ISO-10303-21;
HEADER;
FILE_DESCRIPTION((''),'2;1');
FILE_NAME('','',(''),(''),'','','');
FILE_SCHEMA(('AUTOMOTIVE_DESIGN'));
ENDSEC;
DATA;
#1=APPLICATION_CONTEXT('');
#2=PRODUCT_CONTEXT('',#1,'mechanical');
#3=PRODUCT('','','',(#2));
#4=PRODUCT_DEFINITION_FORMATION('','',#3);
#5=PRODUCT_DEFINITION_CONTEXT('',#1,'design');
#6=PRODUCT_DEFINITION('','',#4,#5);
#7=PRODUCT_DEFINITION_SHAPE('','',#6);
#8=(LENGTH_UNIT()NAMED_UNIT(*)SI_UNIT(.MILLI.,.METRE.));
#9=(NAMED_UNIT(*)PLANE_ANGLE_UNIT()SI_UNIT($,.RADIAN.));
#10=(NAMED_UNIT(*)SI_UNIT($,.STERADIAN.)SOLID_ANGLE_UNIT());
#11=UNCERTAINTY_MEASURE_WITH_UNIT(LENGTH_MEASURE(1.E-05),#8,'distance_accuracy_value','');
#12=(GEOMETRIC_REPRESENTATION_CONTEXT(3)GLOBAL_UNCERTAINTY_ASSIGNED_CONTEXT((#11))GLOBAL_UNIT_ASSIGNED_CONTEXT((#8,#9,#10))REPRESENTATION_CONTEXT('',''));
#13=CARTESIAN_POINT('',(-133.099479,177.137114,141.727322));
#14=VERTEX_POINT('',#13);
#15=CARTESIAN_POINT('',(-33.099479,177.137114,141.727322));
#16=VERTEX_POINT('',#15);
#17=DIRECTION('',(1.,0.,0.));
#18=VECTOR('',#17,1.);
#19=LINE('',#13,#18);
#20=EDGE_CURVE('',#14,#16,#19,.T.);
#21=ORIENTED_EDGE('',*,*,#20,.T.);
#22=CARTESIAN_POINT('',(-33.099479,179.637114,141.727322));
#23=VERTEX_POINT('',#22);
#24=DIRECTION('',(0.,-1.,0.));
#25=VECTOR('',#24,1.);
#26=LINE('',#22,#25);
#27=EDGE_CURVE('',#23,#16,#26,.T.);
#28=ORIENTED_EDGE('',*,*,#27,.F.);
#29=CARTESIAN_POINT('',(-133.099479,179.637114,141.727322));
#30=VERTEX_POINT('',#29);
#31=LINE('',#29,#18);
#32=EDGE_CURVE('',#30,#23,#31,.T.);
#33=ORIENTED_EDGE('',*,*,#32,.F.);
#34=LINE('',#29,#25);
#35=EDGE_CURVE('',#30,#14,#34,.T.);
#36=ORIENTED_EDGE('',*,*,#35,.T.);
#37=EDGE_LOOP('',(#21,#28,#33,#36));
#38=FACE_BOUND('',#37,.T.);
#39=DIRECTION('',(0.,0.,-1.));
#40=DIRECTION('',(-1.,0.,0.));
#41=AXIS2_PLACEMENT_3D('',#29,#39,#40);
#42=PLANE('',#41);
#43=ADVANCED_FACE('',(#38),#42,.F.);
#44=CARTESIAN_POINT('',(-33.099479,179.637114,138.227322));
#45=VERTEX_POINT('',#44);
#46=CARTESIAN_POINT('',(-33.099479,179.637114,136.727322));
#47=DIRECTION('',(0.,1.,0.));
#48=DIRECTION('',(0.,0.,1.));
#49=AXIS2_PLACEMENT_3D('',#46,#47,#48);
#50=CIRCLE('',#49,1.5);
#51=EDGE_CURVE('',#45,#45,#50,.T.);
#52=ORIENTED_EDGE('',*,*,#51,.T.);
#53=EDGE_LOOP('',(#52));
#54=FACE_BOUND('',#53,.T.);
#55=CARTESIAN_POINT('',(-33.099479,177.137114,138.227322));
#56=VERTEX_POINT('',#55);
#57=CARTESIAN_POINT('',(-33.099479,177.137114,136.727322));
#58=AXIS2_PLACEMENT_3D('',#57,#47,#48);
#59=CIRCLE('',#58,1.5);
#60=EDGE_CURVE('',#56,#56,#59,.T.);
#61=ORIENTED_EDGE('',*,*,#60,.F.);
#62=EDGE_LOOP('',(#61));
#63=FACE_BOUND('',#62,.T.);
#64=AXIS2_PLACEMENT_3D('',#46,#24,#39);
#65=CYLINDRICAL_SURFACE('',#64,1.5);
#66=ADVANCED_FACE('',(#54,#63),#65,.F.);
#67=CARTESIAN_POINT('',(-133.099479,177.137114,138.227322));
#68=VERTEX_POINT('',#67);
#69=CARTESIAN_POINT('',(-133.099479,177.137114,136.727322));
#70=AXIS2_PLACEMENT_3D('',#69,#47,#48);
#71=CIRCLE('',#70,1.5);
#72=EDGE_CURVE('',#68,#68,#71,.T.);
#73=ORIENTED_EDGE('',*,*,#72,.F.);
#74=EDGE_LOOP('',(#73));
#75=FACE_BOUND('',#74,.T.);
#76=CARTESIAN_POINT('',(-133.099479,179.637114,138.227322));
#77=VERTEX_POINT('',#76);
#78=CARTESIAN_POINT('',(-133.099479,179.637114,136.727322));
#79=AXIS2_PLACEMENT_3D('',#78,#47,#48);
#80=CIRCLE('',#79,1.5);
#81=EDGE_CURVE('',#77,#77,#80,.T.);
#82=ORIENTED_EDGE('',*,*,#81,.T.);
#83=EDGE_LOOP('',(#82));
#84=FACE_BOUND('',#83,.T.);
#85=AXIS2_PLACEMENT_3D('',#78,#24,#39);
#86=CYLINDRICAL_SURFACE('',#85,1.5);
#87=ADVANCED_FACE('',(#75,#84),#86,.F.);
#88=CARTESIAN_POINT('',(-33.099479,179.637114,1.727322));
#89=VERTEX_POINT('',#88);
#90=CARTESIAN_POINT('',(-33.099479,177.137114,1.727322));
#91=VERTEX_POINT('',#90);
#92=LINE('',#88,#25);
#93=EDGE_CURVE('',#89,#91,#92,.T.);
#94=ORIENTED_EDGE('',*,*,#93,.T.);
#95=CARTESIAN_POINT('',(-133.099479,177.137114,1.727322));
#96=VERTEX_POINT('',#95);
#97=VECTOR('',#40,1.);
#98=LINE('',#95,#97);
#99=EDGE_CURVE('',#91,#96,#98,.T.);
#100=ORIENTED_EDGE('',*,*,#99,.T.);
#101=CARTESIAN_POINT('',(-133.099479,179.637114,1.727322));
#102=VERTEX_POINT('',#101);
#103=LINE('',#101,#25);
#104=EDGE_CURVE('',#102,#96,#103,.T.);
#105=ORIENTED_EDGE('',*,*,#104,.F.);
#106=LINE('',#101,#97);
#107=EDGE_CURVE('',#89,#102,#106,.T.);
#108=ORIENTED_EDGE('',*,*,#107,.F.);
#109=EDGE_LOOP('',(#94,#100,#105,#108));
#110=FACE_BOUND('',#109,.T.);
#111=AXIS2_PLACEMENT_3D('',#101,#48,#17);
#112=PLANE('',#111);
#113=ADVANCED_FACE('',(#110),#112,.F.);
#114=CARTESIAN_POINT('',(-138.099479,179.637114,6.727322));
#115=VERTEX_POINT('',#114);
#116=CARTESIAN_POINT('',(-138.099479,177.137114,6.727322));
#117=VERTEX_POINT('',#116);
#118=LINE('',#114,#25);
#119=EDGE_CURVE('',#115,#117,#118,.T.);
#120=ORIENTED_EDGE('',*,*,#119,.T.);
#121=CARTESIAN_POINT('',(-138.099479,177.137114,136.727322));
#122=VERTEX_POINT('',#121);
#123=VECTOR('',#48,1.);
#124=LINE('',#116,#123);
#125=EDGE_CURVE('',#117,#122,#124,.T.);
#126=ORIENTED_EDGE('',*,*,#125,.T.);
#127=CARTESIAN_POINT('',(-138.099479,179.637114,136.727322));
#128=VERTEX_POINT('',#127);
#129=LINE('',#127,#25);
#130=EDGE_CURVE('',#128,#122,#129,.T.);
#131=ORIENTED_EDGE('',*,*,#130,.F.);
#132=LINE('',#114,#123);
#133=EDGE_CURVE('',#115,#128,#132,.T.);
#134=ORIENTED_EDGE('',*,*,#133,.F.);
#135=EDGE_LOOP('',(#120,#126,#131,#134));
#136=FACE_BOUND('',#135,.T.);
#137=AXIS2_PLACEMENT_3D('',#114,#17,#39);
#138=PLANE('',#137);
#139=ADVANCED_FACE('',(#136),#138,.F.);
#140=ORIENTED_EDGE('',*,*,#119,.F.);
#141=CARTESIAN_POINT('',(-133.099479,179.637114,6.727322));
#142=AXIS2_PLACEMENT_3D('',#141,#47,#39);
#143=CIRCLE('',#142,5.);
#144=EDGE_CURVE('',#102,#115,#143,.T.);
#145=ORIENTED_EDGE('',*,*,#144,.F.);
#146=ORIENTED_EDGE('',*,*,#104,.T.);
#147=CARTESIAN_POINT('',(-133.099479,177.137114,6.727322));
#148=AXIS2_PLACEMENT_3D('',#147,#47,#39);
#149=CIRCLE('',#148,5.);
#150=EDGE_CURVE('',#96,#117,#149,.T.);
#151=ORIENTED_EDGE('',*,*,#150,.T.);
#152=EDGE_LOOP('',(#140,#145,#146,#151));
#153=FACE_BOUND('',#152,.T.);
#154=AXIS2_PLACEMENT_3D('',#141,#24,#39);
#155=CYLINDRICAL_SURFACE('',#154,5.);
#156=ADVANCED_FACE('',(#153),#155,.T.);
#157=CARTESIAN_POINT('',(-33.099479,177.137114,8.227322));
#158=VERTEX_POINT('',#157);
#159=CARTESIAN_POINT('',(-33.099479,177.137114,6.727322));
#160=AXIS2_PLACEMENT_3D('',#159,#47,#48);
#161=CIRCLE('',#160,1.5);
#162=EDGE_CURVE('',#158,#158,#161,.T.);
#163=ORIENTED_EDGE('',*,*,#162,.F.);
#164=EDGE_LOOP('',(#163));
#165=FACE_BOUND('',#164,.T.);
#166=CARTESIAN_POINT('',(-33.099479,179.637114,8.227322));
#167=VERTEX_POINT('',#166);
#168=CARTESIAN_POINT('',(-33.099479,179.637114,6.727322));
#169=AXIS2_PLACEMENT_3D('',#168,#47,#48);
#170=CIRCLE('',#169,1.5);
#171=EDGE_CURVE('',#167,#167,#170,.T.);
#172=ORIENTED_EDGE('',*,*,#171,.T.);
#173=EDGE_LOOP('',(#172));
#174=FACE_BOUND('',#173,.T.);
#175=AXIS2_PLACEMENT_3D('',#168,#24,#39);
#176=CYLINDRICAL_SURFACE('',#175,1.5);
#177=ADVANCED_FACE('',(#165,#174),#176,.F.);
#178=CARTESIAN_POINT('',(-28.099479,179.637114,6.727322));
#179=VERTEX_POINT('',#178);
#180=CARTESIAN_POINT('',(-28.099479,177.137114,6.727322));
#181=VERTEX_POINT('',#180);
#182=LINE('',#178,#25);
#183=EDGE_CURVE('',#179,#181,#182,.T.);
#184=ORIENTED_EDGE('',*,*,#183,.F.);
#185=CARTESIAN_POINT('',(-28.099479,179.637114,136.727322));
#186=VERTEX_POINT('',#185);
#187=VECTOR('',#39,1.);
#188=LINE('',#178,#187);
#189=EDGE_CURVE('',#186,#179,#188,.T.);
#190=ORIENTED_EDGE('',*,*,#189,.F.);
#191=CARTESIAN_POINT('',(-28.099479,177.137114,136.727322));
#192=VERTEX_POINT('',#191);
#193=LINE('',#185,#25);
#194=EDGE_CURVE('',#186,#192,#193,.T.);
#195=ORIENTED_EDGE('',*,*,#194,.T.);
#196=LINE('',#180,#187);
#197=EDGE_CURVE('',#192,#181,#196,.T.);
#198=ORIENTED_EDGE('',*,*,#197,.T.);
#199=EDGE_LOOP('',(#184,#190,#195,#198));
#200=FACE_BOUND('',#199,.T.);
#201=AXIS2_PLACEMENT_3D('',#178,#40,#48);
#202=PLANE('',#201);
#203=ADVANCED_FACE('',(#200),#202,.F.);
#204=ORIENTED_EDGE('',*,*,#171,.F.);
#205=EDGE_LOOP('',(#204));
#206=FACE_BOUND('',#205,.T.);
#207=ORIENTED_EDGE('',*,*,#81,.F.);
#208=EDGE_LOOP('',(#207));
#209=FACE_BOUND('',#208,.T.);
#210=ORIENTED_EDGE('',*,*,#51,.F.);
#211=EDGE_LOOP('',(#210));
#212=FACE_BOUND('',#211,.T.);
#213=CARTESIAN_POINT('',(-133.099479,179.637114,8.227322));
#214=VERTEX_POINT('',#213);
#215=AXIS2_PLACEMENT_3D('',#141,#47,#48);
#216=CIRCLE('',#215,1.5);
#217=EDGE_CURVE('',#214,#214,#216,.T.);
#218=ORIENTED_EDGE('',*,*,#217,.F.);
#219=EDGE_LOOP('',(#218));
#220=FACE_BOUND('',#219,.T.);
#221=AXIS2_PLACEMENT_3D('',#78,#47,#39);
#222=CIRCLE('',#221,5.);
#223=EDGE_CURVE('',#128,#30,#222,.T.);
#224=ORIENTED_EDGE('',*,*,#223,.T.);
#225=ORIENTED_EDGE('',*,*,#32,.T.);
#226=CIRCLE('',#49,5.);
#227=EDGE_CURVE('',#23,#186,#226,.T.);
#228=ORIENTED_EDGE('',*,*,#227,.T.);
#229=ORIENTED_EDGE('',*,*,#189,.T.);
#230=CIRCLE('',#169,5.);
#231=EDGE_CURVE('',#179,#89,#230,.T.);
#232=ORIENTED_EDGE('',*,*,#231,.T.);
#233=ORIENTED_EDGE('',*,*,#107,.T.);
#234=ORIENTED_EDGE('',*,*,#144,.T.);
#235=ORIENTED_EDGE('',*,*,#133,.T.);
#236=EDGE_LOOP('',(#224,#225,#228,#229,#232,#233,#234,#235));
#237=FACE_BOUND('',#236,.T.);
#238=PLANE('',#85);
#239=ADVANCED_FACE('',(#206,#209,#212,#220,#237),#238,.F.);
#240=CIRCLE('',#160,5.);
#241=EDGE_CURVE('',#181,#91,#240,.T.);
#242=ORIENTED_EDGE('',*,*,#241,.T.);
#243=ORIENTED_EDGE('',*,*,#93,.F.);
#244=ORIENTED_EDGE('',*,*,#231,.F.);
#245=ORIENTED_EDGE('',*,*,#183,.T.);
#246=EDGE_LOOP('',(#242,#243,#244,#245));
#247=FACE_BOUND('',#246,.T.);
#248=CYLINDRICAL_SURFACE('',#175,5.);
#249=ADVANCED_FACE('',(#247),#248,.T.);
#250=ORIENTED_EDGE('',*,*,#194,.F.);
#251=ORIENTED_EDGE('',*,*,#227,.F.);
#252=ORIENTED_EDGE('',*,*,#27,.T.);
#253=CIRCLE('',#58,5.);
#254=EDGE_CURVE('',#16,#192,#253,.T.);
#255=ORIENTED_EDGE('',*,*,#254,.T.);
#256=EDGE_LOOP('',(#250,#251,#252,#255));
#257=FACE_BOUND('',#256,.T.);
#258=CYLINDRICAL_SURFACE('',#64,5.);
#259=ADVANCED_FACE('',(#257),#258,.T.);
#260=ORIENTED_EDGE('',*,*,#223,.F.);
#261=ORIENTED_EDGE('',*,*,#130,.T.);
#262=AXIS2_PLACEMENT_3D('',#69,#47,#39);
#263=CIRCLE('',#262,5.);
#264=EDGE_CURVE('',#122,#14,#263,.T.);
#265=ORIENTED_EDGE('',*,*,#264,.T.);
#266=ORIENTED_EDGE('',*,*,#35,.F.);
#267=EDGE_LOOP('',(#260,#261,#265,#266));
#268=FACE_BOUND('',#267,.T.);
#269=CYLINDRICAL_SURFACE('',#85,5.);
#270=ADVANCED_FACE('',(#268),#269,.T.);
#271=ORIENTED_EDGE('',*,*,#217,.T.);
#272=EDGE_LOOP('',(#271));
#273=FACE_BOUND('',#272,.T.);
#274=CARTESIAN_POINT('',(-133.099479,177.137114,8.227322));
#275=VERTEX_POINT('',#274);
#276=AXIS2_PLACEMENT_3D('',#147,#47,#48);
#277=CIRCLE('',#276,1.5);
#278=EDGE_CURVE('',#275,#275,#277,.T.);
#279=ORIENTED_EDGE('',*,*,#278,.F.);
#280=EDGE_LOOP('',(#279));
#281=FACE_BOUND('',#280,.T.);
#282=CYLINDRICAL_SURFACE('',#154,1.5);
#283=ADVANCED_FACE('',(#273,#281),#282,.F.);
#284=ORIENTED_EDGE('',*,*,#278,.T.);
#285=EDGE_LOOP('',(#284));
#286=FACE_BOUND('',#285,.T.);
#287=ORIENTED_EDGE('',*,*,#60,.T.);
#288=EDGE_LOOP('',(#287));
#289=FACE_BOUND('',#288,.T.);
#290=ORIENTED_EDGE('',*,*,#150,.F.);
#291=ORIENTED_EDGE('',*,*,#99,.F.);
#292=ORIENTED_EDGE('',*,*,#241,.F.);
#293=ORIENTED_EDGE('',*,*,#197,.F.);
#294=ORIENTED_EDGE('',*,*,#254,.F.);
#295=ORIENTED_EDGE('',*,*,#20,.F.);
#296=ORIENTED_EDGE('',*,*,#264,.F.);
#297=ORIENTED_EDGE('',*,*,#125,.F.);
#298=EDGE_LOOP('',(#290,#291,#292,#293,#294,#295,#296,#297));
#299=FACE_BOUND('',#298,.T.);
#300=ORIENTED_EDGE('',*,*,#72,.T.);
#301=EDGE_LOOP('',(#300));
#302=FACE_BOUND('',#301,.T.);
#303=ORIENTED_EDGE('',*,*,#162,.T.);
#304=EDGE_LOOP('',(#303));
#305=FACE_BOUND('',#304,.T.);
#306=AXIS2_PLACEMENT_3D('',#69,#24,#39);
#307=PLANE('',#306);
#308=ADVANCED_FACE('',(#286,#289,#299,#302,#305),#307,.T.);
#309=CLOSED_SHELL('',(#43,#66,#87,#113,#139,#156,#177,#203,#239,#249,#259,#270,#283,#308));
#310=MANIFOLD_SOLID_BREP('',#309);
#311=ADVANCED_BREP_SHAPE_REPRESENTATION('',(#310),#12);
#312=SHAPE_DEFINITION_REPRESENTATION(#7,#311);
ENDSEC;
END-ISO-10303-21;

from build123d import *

# Parameters (mm, degrees)
SKETCH_1_R      = 1.5
EXTRUDE_1_DEPTH = 2.5


with BuildPart() as part:
    # 草图1 → 凸台-拉伸1 (new body)
    with BuildSketch(Plane(origin=(0, 177.13711373, 0), x_dir=(1, 0, 0), z_dir=(0, 1, 0))):
        with BuildLine():
            Line((-133.099479225, -1.727321584), (-33.099479225, -1.727321584))
            ThreePointArc((-33.099479225, -1.727321584), (-29.563945319, -3.191787678), (-28.099479225, -6.727321584))
            Line((-28.099479225, -6.727321584), (-28.099479225, -136.727321584))
            ThreePointArc((-28.099479225, -136.727321584), (-29.563945319, -140.26285549), (-33.099479225, -141.727321584))
            Line((-33.099479225, -141.727321584), (-133.099479225, -141.727321584))
            ThreePointArc((-133.099479225, -141.727321584), (-136.635013131, -140.26285549), (-138.099479225, -136.727321584))
            Line((-138.099479225, -136.727321584), (-138.099479225, -6.727321584))
            ThreePointArc((-138.099479225, -6.727321584), (-136.635013131, -3.191787678), (-133.099479225, -1.727321584))
        make_face()
        with Locations((-133.099479225, -6.727321584)):
            Circle(SKETCH_1_R, mode=Mode.SUBTRACT)
        with Locations((-33.099479225, -6.727321584)):
            Circle(SKETCH_1_R, mode=Mode.SUBTRACT)
        with Locations((-33.099479225, -136.727321584)):
            Circle(SKETCH_1_R, mode=Mode.SUBTRACT)
        with Locations((-133.099479225, -136.727321584)):
            Circle(SKETCH_1_R, mode=Mode.SUBTRACT)
    extrude(amount=EXTRUDE_1_DEPTH)


solid = part.part
